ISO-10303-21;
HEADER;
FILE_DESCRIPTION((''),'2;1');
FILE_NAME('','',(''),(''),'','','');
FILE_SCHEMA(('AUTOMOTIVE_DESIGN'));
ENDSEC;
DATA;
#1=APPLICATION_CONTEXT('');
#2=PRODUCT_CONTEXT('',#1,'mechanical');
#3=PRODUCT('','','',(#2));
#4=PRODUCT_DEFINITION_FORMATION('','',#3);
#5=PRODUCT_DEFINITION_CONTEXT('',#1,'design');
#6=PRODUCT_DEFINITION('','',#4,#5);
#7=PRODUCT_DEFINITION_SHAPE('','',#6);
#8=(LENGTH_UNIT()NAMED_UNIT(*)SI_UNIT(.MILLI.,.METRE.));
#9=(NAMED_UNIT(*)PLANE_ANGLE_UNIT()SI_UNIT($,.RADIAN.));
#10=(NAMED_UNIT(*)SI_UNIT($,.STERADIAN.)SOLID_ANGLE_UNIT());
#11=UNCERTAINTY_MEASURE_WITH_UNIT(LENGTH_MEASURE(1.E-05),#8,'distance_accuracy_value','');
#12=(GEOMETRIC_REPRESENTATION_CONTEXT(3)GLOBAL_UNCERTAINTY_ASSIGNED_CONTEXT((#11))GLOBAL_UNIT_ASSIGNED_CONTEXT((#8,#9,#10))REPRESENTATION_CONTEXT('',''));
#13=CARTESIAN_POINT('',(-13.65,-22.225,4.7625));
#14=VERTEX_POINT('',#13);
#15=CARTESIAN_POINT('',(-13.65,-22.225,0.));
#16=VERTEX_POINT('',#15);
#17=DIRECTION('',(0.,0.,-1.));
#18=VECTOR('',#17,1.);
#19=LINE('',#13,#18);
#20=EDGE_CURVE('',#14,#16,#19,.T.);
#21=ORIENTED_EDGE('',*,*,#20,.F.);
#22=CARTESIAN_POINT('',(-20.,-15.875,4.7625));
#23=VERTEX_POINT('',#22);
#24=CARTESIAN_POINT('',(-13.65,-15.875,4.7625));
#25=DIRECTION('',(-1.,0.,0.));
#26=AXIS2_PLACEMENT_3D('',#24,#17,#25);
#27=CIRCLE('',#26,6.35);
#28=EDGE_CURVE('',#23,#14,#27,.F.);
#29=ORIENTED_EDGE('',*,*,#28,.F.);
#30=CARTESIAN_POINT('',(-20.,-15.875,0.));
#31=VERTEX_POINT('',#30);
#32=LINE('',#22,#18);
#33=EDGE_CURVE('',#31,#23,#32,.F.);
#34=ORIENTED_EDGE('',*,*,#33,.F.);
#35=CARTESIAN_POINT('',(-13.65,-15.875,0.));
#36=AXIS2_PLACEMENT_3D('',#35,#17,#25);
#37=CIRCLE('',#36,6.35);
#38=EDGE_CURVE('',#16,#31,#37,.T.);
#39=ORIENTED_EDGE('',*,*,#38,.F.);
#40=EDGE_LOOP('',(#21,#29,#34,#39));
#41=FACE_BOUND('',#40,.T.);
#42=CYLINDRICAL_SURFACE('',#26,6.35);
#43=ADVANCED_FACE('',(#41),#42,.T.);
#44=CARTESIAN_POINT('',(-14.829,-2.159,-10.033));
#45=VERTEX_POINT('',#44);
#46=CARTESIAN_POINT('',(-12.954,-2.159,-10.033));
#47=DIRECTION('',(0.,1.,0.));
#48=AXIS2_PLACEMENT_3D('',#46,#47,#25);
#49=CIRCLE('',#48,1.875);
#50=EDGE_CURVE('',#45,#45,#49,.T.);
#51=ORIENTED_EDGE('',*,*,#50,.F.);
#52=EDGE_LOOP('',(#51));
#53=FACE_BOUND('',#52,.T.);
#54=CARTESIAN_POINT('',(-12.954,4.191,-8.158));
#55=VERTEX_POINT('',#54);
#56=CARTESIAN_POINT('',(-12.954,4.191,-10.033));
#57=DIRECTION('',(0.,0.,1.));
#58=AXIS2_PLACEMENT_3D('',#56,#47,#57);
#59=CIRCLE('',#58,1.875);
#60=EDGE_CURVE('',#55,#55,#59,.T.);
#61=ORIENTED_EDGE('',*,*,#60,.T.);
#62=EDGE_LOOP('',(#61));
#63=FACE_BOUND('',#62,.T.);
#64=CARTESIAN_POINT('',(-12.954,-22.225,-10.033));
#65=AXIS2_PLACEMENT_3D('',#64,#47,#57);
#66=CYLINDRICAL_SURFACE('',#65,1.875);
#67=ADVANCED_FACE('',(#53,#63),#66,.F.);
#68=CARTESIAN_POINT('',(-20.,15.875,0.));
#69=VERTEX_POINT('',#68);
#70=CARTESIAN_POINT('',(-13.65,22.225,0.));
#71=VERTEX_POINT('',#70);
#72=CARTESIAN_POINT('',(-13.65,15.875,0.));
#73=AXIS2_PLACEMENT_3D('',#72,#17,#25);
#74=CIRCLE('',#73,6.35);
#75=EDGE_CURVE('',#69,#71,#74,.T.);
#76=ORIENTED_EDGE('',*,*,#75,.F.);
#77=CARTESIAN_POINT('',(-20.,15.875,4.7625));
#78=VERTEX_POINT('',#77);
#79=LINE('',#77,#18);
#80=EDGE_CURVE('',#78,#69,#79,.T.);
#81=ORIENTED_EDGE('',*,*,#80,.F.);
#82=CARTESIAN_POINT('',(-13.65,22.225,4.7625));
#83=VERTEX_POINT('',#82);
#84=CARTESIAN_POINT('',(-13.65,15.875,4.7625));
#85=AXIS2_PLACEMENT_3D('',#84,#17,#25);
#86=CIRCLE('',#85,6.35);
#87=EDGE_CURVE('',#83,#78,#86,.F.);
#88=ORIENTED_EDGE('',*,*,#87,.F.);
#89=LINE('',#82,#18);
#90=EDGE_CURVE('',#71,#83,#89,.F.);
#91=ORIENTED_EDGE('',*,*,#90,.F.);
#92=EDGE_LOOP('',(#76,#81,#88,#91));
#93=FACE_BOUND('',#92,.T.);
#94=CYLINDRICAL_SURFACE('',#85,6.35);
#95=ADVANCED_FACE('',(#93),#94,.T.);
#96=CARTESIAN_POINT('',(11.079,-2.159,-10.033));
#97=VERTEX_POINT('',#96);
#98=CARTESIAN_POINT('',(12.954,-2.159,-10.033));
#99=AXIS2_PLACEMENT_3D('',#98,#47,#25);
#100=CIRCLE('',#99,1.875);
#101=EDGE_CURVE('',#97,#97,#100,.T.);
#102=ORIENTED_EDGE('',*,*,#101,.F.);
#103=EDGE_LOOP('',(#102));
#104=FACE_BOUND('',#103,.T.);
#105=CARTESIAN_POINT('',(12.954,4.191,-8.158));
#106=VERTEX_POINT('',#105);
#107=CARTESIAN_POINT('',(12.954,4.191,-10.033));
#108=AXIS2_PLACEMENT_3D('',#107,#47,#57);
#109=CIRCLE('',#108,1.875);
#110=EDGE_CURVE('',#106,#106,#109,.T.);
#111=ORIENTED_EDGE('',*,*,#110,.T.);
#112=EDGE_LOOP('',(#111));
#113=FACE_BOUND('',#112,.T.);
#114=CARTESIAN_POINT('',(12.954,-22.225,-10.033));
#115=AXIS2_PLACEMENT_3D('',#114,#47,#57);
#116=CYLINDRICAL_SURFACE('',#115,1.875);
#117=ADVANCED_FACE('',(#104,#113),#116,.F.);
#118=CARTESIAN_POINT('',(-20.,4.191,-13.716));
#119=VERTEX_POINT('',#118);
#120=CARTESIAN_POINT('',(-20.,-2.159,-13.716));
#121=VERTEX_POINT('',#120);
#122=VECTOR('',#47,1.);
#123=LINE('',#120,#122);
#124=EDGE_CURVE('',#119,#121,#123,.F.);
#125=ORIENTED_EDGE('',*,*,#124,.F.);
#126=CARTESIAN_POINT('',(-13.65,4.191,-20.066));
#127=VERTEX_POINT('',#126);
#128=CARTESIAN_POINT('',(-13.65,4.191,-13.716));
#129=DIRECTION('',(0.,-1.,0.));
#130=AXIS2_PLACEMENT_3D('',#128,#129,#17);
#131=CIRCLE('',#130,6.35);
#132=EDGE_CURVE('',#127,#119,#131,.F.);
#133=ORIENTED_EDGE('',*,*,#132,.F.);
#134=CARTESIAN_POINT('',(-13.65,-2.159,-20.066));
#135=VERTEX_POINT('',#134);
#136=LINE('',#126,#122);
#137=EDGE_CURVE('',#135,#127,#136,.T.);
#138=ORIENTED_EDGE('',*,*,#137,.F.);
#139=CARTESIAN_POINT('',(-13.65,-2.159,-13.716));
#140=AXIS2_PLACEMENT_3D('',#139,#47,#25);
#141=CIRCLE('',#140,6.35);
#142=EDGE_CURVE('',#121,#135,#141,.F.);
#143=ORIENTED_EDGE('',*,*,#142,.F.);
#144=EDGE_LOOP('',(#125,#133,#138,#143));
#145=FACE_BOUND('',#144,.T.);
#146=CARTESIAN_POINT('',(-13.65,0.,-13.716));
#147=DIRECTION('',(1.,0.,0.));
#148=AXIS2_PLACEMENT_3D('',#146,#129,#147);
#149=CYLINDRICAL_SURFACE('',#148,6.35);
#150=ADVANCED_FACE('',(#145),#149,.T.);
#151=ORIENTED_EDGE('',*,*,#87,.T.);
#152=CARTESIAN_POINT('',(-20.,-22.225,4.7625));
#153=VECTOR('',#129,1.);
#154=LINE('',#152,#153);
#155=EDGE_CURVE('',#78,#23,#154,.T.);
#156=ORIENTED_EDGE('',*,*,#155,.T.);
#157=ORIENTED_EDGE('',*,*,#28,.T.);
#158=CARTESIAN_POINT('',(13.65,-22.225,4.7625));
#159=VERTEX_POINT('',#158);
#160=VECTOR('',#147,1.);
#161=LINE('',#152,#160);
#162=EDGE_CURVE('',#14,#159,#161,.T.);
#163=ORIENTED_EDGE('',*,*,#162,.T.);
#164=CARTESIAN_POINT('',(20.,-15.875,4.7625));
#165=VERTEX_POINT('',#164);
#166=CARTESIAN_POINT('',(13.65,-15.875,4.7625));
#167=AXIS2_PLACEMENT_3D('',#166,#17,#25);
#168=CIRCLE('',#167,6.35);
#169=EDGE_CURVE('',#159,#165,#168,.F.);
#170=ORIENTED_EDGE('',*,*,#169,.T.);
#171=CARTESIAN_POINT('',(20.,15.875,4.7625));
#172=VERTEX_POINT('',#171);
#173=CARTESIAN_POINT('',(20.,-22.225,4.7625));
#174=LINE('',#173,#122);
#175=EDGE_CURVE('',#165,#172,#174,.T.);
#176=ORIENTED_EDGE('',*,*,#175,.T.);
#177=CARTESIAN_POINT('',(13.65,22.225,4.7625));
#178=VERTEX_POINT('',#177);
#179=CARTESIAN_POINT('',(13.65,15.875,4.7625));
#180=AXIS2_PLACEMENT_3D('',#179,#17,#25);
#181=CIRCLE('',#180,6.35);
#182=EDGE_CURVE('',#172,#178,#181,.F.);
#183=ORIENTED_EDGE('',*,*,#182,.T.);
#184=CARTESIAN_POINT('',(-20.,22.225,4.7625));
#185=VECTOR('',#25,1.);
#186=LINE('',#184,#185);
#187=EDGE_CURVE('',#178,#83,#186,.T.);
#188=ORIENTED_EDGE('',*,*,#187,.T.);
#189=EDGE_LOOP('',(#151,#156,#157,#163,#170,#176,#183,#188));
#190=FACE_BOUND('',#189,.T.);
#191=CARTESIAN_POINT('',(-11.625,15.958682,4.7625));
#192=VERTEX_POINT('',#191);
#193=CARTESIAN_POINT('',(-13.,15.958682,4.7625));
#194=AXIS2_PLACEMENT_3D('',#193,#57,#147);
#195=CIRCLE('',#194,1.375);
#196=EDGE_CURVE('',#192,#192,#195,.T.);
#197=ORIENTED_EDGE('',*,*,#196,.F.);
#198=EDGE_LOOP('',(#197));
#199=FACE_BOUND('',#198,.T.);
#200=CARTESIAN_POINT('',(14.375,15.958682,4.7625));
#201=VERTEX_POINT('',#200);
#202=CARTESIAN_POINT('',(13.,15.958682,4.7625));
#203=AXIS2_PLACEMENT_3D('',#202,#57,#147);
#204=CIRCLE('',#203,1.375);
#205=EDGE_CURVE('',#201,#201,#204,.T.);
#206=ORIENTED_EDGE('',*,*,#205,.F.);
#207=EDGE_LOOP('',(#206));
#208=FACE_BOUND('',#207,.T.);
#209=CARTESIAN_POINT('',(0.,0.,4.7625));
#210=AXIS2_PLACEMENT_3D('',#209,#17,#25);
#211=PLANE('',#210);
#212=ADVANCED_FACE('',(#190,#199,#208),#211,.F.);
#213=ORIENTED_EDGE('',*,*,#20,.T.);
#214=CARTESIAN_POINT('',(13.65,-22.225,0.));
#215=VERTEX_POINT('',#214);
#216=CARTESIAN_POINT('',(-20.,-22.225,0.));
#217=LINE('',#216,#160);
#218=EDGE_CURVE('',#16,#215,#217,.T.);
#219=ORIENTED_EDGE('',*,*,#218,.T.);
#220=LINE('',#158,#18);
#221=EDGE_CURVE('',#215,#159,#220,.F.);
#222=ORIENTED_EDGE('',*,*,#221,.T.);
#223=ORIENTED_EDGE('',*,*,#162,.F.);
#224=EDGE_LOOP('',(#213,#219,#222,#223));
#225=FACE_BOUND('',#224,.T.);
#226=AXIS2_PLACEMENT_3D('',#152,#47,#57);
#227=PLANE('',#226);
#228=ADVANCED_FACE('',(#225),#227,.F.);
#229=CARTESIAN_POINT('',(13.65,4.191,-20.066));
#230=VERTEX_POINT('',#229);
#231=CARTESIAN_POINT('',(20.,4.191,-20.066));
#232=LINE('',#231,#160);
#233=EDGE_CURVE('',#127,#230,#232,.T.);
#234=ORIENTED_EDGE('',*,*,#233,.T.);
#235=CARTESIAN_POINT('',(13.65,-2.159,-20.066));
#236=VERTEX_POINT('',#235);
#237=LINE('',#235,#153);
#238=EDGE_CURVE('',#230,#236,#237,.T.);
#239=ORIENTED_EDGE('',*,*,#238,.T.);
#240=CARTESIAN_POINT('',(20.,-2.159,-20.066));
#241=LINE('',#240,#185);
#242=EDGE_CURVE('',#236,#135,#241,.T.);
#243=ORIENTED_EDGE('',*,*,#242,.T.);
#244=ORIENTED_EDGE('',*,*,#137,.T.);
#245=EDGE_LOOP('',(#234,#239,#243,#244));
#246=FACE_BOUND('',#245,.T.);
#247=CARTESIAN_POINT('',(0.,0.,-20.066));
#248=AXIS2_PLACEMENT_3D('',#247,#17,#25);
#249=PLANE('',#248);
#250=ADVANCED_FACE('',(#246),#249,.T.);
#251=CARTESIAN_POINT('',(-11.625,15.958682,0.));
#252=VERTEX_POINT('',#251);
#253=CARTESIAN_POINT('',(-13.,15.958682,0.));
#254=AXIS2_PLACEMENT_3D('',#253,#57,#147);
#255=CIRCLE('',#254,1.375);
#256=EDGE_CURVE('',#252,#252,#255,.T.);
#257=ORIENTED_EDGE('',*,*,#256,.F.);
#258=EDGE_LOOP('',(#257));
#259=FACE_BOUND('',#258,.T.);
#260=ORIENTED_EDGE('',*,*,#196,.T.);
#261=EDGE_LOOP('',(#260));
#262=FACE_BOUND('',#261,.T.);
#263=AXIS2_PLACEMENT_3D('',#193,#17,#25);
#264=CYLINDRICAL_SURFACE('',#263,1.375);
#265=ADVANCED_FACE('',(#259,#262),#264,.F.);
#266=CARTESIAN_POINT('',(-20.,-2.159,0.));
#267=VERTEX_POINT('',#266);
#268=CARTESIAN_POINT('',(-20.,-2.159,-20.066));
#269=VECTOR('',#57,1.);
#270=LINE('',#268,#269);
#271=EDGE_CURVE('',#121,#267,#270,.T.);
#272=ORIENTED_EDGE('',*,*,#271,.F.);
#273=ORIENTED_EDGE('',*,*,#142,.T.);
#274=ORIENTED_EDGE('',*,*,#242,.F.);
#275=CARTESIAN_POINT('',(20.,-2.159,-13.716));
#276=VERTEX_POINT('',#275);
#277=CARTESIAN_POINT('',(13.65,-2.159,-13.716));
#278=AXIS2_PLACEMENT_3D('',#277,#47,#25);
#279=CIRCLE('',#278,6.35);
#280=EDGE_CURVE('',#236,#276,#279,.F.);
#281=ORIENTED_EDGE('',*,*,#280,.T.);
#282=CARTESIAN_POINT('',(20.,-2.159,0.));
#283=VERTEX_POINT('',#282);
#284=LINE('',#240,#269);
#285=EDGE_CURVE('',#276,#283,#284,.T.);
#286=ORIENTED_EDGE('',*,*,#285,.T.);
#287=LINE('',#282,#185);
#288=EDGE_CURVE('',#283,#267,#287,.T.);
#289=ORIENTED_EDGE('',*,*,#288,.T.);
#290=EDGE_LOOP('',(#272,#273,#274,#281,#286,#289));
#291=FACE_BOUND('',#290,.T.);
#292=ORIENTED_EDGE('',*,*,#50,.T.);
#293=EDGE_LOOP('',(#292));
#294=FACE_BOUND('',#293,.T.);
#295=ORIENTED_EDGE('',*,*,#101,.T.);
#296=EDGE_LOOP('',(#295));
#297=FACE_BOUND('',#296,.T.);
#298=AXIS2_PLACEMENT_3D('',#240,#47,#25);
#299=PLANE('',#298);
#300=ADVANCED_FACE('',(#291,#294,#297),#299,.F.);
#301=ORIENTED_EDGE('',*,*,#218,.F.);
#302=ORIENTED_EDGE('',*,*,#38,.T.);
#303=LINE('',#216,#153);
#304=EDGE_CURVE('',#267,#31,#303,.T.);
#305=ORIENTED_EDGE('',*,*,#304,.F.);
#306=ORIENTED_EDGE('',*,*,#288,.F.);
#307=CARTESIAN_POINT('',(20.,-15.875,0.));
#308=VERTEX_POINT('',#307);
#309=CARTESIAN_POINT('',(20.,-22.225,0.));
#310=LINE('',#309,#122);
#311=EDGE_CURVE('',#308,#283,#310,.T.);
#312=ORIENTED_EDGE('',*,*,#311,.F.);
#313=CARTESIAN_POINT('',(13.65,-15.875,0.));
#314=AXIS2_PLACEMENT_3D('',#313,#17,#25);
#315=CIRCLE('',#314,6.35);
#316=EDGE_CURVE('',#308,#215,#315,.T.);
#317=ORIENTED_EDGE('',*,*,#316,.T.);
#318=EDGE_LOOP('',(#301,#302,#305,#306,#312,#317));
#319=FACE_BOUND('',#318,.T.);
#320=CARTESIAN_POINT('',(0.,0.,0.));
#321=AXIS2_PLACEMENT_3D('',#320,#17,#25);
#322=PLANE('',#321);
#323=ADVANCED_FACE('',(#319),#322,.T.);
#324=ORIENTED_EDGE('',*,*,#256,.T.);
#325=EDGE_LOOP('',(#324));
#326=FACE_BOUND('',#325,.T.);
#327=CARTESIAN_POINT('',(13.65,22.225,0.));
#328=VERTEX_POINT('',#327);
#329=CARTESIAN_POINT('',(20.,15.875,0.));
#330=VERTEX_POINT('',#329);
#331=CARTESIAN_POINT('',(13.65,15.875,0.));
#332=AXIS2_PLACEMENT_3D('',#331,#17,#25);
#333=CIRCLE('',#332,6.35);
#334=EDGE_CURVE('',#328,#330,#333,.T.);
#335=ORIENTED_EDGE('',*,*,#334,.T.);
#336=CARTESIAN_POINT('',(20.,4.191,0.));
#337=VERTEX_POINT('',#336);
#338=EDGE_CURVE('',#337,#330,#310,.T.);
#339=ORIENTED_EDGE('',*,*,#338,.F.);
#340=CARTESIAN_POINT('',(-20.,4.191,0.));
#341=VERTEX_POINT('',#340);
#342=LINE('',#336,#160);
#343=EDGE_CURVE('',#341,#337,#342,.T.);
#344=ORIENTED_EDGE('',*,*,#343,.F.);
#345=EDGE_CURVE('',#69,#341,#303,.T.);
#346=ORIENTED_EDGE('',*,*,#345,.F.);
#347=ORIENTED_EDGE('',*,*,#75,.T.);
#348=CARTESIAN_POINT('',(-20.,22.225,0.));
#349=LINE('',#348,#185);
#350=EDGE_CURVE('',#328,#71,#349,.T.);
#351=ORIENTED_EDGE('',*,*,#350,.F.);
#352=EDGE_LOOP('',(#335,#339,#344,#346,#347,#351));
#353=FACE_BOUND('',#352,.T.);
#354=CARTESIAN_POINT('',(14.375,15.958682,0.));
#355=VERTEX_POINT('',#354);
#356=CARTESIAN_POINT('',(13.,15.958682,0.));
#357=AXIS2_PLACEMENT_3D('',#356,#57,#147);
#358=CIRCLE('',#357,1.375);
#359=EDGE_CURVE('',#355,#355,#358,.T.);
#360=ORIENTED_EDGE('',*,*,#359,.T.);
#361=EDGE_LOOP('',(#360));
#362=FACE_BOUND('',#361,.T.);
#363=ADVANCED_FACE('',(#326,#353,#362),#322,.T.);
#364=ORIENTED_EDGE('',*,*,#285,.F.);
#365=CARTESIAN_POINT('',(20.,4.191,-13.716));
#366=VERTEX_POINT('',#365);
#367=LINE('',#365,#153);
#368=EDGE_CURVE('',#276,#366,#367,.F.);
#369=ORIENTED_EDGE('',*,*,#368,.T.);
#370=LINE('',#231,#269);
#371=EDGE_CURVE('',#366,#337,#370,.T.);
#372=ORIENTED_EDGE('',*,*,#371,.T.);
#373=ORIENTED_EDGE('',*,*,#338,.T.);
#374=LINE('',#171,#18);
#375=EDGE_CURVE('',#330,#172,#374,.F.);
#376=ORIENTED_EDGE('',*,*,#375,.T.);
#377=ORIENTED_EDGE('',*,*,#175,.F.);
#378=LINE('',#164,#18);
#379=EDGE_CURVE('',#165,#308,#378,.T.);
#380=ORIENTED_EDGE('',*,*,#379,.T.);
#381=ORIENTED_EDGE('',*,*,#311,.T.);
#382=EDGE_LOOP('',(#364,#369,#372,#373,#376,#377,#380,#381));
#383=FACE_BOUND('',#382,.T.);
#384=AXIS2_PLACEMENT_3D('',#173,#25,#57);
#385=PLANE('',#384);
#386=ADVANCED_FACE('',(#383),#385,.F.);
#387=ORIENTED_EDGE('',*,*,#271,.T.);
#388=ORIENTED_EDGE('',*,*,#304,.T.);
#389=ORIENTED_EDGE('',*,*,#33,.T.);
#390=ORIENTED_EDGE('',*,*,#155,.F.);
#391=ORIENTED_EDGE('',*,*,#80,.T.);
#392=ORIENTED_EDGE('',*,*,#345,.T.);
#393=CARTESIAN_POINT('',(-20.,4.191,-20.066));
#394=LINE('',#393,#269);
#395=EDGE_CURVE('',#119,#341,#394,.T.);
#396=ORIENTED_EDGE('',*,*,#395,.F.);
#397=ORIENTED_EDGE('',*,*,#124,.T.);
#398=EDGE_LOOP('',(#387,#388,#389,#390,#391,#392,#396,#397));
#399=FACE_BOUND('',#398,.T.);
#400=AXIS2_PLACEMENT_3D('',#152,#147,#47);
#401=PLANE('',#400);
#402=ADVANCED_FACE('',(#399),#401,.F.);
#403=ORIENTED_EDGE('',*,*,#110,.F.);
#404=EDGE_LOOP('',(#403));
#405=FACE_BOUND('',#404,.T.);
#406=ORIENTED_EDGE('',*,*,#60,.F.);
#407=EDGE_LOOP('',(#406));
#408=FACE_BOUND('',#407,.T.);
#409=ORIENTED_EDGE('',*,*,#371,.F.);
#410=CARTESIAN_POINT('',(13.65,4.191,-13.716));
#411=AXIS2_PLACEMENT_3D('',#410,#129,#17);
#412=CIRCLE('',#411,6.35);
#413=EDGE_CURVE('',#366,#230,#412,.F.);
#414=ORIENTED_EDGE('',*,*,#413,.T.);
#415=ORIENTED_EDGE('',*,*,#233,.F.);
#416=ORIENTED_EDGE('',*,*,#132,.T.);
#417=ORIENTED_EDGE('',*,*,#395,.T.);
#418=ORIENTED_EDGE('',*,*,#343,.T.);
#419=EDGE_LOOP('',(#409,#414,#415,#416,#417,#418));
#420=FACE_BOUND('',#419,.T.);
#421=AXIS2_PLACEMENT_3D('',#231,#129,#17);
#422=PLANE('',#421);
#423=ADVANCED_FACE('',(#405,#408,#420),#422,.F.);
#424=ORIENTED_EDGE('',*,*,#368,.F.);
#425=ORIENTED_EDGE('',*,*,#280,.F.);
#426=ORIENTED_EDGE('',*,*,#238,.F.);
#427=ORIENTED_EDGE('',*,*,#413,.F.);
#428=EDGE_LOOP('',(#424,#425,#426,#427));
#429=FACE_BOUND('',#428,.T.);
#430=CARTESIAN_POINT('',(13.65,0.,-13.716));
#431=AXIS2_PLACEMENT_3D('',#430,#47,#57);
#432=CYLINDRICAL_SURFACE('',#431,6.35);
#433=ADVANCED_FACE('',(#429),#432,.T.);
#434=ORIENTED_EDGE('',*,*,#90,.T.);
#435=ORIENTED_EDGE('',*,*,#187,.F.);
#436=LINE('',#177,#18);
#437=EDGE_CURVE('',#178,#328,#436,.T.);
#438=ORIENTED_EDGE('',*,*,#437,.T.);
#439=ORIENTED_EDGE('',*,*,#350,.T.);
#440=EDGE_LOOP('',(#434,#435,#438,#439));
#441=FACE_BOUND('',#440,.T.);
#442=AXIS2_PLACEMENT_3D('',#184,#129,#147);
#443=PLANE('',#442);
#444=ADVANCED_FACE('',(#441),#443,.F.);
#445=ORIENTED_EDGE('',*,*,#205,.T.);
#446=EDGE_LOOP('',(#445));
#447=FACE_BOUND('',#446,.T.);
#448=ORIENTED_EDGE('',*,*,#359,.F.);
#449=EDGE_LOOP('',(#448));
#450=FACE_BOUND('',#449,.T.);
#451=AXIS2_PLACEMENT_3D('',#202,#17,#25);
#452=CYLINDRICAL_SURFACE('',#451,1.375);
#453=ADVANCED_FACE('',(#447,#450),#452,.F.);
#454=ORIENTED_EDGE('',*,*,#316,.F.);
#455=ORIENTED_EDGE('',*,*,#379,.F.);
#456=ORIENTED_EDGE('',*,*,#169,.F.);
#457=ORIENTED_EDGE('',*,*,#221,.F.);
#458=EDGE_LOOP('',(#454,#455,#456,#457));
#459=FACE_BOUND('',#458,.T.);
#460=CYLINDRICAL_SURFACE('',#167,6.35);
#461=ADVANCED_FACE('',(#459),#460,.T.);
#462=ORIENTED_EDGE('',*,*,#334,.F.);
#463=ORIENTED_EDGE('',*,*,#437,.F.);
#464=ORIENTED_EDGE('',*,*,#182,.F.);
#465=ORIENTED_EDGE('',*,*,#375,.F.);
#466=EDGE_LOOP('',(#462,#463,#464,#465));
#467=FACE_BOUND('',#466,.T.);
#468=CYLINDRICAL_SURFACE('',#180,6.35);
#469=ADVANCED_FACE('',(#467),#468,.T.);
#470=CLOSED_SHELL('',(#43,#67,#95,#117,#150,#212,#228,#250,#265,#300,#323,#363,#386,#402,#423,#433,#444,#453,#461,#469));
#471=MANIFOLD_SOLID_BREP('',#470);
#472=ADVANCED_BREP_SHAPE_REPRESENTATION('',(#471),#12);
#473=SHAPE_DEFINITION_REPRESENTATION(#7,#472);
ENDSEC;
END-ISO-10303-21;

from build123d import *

# Parameters (mm, degrees)
SKETCH1_W           = 40
SKETCH1_H           = 44.45
SKETCH1_R           = 1.375
BOSS_EXTRUDE1_DEPTH = 4.7625
SKETCH2_W           = 40
SKETCH2_H           = 6.35
BOSS_EXTRUDE2_DEPTH = 20.066
SKETCH3_R           = 1.875
CUT_EXTRUDE1_DEPTH  = 27.416
FILLET1_R           = 6.35


with BuildPart() as part:
    # Sketch1 → Boss-Extrude1 (new body)
    with BuildSketch(Plane.XY):
        Rectangle(SKETCH1_W, SKETCH1_H)
        with Locations((-13, 15.958682008)):
            Circle(SKETCH1_R, mode=Mode.SUBTRACT)
        with Locations((13, 15.958682008)):
            Circle(SKETCH1_R, mode=Mode.SUBTRACT)
    extrude(amount=BOSS_EXTRUDE1_DEPTH)

    # Sketch2 → Boss-Extrude2 (add)
    with BuildSketch(Plane(origin=(0, 0, 0), x_dir=(-1, 0, 0), z_dir=(0, 0, -1))):
        with Locations((0, 1.016)):
            Rectangle(SKETCH2_W, SKETCH2_H)
    extrude(amount=BOSS_EXTRUDE2_DEPTH)

    # Sketch3 → Cut-Extrude1 (cut, through all)
    with BuildSketch(Plane(origin=(0, 4.191, 0), x_dir=(1, 0, 0), z_dir=(0, 1, 0))):
        with Locations((12.954, 10.033)):
            Circle(SKETCH3_R)
        with Locations((-12.954, 10.033)):
            Circle(SKETCH3_R)
    extrude(amount=-CUT_EXTRUDE1_DEPTH, mode=Mode.SUBTRACT)

    # Fillet1
    fillet1_edges = [part.edges().sort_by_distance(p)[0] for p in [
        (20, 1.016, -20.066),
        (-20, 1.016, -20.066),
        (20, -22.225, 2.38125),
        (-20, -22.225, 2.38125),
        (-20, 22.225, 2.38125),
        (20, 22.225, 2.38125),
    ]]
    fillet(fillet1_edges, radius=FILLET1_R)


solid = part.part
